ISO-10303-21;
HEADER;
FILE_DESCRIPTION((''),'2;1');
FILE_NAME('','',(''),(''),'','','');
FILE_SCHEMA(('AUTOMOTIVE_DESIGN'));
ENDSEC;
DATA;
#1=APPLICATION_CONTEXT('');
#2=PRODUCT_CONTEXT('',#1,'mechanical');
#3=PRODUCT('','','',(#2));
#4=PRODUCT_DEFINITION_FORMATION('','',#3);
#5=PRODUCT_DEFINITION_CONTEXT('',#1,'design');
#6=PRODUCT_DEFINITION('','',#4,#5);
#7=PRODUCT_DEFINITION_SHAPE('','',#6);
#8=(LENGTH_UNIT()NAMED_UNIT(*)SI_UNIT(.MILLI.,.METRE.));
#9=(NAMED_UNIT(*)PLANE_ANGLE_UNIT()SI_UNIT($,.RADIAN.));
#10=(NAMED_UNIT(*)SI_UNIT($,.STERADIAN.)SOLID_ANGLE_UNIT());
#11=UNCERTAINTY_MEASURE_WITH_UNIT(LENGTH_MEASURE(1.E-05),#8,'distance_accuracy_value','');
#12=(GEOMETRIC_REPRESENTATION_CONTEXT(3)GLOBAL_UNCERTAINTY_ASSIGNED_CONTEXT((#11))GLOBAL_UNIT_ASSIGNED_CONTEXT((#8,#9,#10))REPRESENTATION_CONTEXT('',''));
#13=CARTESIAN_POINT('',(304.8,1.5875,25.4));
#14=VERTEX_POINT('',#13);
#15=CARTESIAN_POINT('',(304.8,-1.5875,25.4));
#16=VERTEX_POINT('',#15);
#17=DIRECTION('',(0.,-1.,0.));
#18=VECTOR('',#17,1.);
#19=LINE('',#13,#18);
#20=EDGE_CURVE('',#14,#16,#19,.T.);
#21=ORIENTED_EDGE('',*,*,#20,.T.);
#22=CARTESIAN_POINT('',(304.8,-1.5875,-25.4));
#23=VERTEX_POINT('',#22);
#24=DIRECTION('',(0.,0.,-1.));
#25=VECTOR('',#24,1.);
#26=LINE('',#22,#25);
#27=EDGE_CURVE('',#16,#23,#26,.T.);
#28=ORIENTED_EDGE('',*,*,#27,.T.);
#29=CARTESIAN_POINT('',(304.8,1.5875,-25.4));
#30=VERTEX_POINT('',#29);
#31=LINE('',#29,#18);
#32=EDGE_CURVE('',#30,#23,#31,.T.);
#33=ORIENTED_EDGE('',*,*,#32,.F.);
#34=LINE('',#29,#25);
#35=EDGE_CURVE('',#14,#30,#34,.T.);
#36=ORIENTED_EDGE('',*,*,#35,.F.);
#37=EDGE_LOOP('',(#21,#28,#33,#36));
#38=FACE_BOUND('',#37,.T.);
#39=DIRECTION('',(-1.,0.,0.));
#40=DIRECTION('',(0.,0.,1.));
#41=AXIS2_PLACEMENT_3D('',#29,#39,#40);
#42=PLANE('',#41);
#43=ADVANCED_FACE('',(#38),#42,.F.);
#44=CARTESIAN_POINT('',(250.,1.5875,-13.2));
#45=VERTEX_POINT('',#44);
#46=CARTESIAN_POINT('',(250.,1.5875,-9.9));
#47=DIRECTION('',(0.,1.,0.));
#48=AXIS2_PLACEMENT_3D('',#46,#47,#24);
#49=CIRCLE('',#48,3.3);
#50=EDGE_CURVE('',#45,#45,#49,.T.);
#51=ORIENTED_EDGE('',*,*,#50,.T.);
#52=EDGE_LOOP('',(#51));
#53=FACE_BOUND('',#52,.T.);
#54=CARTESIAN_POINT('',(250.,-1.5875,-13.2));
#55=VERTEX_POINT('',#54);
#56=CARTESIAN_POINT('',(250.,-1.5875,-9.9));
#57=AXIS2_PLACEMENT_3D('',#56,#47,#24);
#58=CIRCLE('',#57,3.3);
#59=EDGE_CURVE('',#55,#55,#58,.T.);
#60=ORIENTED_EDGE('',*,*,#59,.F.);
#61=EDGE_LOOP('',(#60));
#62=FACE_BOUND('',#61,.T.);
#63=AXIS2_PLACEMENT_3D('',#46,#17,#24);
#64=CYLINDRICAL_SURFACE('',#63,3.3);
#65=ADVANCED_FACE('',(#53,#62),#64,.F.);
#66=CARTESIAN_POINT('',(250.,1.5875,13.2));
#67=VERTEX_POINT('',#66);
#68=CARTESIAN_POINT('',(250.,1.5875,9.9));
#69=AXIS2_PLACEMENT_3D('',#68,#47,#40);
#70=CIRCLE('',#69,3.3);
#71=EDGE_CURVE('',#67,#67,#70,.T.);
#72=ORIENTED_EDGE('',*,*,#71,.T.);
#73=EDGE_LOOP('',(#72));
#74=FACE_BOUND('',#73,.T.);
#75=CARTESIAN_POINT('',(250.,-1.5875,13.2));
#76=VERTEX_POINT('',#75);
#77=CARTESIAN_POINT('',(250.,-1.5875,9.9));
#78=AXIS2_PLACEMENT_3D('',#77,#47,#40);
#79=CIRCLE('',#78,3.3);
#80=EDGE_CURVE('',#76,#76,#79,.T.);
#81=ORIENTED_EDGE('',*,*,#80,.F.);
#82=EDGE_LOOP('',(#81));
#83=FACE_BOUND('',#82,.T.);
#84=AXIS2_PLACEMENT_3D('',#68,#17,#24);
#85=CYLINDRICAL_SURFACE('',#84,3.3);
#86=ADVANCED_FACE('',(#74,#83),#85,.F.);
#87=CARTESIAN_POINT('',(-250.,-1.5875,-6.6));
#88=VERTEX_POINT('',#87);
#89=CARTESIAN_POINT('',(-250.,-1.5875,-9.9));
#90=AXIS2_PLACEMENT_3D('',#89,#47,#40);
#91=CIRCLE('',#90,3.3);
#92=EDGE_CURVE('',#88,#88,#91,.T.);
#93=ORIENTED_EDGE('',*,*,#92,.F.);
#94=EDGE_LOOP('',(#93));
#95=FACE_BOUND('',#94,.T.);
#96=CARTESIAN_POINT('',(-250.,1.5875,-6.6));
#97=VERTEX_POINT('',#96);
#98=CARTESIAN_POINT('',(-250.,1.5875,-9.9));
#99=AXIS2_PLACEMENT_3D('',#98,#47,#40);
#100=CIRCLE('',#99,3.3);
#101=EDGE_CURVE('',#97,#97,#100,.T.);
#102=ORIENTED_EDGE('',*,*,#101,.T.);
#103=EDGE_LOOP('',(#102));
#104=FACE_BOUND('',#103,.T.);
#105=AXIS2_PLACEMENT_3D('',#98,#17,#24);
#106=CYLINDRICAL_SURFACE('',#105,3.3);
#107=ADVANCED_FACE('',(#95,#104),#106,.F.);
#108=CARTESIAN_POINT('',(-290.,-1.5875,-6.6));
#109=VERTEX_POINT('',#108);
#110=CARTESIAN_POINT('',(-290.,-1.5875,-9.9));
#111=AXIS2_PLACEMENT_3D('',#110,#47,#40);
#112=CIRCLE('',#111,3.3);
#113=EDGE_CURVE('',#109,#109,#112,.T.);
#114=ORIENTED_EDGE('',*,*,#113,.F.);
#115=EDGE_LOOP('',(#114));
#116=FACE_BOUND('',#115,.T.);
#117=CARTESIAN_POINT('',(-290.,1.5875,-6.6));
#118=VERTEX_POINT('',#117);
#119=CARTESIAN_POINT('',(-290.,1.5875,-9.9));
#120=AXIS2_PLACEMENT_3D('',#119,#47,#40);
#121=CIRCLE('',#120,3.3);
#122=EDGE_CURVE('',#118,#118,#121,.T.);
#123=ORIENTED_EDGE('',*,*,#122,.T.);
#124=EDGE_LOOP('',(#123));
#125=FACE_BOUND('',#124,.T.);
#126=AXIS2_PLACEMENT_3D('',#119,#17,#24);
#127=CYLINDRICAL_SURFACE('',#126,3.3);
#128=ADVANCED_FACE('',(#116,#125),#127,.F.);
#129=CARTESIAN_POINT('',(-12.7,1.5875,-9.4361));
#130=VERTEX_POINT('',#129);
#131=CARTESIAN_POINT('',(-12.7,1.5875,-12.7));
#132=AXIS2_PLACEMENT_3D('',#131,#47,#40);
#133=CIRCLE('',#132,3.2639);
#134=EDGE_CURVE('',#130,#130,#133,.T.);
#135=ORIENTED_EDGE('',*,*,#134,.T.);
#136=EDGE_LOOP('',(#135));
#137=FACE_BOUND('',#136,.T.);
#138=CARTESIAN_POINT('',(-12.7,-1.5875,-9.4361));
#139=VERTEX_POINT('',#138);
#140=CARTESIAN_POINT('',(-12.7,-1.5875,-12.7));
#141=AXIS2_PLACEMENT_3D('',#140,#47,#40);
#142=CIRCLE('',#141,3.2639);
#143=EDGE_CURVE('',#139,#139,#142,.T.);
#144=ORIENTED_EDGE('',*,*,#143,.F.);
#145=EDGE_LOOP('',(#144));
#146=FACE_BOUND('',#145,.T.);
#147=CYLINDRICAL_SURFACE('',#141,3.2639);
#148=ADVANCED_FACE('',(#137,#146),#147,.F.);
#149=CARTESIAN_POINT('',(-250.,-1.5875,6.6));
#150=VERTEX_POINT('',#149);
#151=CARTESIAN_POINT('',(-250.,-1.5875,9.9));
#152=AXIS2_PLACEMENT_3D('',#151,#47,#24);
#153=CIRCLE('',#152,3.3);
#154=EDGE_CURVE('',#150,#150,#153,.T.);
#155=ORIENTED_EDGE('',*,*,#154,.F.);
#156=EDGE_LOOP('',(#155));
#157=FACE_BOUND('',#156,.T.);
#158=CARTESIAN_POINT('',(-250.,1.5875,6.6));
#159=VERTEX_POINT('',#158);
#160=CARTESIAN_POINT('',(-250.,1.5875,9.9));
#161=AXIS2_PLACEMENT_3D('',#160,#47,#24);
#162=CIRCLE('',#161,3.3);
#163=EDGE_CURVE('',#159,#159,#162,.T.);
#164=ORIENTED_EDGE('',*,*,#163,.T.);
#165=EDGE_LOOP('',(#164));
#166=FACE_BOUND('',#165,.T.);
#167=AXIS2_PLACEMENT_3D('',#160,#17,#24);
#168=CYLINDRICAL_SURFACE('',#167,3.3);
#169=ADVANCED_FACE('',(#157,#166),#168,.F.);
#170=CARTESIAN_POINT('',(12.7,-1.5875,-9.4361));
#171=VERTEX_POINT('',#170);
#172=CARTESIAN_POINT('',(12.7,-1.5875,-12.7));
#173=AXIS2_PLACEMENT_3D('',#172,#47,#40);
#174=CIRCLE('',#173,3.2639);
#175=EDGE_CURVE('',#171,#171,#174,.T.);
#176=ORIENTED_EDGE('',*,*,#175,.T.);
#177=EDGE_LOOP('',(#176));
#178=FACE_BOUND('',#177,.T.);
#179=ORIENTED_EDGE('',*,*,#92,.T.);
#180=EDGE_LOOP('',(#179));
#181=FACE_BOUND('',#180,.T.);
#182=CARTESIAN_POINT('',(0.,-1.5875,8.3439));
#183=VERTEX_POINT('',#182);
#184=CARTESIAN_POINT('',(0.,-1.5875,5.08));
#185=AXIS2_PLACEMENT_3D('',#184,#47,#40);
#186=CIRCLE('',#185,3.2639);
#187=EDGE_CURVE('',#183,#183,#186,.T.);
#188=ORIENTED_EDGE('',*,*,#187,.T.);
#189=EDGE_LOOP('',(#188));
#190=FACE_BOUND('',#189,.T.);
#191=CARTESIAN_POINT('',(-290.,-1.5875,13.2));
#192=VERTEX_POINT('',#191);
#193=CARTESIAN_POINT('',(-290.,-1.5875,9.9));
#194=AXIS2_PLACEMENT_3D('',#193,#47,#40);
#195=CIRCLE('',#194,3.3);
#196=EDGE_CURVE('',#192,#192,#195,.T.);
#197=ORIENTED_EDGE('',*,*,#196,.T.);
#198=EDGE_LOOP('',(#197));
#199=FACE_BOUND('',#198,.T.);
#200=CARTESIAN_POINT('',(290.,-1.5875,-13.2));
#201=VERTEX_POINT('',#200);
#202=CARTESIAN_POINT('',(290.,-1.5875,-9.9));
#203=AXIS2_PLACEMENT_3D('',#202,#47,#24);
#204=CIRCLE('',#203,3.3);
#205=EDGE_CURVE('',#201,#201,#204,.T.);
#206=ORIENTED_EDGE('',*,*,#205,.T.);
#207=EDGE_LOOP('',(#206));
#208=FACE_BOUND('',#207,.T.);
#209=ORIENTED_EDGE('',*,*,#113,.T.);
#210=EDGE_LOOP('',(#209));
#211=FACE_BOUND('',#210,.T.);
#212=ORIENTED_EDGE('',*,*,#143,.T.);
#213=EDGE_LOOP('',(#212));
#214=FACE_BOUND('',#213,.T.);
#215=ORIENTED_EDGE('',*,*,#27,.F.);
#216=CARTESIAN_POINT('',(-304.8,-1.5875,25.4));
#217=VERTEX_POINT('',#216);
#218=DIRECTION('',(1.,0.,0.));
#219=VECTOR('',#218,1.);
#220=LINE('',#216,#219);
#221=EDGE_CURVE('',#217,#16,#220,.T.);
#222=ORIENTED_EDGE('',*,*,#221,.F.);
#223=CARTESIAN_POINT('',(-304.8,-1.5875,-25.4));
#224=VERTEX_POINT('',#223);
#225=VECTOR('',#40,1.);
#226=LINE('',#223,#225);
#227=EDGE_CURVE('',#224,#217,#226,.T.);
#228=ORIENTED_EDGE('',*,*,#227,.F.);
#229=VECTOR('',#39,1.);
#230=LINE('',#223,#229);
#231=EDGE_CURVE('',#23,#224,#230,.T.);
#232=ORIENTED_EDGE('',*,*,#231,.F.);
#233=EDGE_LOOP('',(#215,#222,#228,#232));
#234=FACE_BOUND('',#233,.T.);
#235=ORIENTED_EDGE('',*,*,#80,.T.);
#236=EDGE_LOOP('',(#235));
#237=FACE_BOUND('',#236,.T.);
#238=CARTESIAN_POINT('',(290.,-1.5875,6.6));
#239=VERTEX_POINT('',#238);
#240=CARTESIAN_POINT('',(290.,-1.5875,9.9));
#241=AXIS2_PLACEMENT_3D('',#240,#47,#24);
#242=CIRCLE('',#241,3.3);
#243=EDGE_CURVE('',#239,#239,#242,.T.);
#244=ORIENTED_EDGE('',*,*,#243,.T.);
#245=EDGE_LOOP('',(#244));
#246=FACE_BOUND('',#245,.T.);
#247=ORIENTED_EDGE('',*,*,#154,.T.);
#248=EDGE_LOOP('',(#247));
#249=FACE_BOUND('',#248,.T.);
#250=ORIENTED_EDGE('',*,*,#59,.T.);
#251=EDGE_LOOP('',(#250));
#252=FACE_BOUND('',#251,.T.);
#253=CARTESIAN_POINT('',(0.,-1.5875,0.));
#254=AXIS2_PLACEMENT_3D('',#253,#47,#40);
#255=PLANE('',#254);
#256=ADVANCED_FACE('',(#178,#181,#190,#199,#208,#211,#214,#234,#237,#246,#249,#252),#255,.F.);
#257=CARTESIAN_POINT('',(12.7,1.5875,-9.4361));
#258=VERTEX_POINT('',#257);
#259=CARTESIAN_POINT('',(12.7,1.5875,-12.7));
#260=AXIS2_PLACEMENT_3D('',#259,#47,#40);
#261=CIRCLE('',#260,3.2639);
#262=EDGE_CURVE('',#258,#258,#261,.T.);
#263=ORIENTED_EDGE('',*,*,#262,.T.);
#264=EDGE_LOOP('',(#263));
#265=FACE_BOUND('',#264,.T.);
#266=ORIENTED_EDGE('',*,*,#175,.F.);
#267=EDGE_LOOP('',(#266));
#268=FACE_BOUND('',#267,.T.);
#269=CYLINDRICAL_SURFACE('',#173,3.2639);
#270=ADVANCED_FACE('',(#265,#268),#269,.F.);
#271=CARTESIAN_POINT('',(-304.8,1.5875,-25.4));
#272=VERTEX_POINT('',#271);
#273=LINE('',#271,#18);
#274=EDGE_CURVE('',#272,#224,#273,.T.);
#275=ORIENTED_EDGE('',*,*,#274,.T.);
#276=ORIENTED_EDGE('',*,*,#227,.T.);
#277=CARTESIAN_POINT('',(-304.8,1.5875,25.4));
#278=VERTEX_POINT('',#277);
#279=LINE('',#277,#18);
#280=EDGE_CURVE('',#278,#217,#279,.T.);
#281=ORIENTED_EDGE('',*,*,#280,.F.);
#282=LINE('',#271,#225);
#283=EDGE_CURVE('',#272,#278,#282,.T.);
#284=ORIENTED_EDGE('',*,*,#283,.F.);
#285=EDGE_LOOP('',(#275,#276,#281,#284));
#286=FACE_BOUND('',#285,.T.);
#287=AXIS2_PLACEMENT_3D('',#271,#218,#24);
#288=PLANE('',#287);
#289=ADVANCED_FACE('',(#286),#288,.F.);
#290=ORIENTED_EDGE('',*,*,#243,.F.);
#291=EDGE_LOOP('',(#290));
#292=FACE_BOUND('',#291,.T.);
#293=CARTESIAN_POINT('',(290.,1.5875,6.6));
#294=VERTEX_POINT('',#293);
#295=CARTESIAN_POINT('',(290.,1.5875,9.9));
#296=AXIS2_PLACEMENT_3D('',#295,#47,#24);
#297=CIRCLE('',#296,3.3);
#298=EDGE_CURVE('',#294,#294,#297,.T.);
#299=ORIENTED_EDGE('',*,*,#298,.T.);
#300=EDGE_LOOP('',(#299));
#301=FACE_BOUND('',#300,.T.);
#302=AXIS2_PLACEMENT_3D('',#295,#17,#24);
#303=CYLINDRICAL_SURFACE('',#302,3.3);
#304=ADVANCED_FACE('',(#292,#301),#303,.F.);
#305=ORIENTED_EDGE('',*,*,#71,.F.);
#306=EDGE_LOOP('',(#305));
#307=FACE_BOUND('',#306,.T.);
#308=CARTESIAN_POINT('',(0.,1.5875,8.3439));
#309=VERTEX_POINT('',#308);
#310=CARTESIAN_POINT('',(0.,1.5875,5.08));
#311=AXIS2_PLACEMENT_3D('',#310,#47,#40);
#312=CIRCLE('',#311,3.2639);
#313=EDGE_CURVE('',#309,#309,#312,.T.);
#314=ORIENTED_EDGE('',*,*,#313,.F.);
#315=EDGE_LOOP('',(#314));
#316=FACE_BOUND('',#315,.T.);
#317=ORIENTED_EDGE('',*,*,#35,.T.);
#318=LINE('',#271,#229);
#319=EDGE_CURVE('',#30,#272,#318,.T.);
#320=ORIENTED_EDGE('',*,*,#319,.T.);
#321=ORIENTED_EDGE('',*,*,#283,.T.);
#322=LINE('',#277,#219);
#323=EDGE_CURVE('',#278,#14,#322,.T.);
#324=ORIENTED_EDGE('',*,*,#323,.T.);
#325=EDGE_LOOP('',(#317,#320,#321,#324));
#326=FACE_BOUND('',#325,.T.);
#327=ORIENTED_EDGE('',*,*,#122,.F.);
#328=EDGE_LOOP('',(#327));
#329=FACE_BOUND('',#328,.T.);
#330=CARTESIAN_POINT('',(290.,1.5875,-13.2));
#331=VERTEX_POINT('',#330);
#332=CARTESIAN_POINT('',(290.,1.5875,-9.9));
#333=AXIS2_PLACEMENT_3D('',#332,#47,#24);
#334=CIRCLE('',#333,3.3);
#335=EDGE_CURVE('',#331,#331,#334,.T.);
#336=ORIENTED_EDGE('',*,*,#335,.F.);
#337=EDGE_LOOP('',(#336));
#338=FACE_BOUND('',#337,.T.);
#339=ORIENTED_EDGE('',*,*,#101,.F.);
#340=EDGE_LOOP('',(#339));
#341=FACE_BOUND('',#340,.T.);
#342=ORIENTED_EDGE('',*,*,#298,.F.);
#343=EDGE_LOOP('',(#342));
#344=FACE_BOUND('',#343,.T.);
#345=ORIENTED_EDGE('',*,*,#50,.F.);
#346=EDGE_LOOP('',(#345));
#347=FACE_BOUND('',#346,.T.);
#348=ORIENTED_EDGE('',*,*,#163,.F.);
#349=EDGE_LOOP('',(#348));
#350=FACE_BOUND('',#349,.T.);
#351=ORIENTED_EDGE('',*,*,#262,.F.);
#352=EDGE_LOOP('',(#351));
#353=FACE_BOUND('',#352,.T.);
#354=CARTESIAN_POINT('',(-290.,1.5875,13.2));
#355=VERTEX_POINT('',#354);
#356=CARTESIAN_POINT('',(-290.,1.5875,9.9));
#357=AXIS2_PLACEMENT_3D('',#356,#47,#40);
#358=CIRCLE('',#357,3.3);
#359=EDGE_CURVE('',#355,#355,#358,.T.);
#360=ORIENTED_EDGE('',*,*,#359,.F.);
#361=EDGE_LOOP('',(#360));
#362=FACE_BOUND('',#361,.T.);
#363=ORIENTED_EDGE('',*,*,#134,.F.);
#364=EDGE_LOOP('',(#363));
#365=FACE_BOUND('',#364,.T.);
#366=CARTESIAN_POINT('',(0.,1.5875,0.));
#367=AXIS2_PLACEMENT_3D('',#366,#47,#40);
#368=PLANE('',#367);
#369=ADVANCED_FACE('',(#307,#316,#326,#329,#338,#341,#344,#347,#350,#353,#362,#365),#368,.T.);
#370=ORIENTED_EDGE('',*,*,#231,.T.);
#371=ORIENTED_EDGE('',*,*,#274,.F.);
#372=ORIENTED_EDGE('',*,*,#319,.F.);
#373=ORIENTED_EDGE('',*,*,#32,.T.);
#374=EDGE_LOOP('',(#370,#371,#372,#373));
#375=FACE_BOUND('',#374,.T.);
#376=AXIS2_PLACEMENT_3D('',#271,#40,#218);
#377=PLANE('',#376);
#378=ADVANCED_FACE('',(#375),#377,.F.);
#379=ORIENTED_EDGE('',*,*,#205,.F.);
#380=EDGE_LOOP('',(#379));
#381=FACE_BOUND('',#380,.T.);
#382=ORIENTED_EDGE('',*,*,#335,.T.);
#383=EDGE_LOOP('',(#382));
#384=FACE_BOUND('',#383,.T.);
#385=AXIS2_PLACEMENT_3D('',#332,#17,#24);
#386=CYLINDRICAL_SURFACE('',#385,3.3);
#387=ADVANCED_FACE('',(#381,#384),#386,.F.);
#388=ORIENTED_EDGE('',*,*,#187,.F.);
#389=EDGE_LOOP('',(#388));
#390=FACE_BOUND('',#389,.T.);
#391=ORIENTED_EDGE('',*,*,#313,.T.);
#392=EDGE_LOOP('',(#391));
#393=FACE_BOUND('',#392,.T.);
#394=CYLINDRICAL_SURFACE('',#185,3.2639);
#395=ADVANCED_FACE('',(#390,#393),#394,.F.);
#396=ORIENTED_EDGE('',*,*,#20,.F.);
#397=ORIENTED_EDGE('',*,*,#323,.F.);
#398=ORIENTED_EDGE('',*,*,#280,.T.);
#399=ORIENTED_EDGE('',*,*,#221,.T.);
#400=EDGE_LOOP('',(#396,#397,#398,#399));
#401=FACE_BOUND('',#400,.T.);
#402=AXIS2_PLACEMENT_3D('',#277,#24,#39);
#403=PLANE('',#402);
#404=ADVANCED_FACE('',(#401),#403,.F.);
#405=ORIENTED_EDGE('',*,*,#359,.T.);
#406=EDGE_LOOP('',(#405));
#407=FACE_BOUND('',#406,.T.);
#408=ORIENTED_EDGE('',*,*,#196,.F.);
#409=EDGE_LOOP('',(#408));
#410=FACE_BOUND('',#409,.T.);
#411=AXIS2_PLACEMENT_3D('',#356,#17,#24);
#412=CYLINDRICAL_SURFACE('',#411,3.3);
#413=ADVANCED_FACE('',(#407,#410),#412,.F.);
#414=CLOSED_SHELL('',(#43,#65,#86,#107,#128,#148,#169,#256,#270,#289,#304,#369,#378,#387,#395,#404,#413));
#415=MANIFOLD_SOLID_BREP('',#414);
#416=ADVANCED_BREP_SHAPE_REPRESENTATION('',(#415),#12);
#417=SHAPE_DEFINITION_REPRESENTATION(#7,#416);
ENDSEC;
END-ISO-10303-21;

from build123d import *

# Parameters (mm, degrees)
SKETCH1_W                      = 609.6
SKETCH1_H                      = 50.8
SKETCH1_R                      = 3.3
BOSS_EXTRUDE1_DEPTH            = 1.5875
SKETCH2_R                      = 3.2639
F_1_4_20_FOR_NUT_BRACKET_DEPTH = 306.872981195


with BuildPart() as part:
    # Sketch1 → Boss-Extrude1 (new, symmetric)
    with BuildSketch(Plane(origin=(0, 0, 0), x_dir=(1, 0, 0), z_dir=(0, 1, 0))):
        Rectangle(SKETCH1_W, SKETCH1_H)
        with Locations(Location((-250, 9.9, 0), (0, 0, 270))):
            Circle(SKETCH1_R, mode=Mode.SUBTRACT)
        with Locations(Location((-250, -9.9, 0), (0, 0, 90))):
            Circle(SKETCH1_R, mode=Mode.SUBTRACT)
        with Locations(Location((-290, 9.9, 0), (0, 0, 270))):
            Circle(SKETCH1_R, mode=Mode.SUBTRACT)
        with Locations(Location((-290, -9.9, 0), (0, 0, 270))):
            Circle(SKETCH1_R, mode=Mode.SUBTRACT)
        with Locations(Location((290, -9.9, 0), (0, 0, 90))):
            Circle(SKETCH1_R, mode=Mode.SUBTRACT)
        with Locations(Location((290, 9.9, 0), (0, 0, 90))):
            Circle(SKETCH1_R, mode=Mode.SUBTRACT)
        with Locations(Location((250, -9.9, 0), (0, 0, 270))):
            Circle(SKETCH1_R, mode=Mode.SUBTRACT)
        with Locations(Location((250, 9.9, 0), (0, 0, 90))):
            Circle(SKETCH1_R, mode=Mode.SUBTRACT)
    extrude(amount=BOSS_EXTRUDE1_DEPTH, both=True)

    # Sketch2 → 1/4-20 For Nut Bracket (cut, through all)
    with BuildSketch(Plane(origin=(0, 1.5875, 0), x_dir=(1, 0, 0), z_dir=(0, 1, 0))):
        with Locations(Location((-12.7, 12.7, 0), (0, 0, 270))):
            Circle(SKETCH2_R)
        with Locations(Location((12.7, 12.7, 0), (0, 0, 270))):
            Circle(SKETCH2_R)
        with Locations(Location((0, -5.08, 0), (0, 0, 270))):
            Circle(SKETCH2_R)
    extrude(amount=-F_1_4_20_FOR_NUT_BRACKET_DEPTH, mode=Mode.SUBTRACT)


solid = part.part
